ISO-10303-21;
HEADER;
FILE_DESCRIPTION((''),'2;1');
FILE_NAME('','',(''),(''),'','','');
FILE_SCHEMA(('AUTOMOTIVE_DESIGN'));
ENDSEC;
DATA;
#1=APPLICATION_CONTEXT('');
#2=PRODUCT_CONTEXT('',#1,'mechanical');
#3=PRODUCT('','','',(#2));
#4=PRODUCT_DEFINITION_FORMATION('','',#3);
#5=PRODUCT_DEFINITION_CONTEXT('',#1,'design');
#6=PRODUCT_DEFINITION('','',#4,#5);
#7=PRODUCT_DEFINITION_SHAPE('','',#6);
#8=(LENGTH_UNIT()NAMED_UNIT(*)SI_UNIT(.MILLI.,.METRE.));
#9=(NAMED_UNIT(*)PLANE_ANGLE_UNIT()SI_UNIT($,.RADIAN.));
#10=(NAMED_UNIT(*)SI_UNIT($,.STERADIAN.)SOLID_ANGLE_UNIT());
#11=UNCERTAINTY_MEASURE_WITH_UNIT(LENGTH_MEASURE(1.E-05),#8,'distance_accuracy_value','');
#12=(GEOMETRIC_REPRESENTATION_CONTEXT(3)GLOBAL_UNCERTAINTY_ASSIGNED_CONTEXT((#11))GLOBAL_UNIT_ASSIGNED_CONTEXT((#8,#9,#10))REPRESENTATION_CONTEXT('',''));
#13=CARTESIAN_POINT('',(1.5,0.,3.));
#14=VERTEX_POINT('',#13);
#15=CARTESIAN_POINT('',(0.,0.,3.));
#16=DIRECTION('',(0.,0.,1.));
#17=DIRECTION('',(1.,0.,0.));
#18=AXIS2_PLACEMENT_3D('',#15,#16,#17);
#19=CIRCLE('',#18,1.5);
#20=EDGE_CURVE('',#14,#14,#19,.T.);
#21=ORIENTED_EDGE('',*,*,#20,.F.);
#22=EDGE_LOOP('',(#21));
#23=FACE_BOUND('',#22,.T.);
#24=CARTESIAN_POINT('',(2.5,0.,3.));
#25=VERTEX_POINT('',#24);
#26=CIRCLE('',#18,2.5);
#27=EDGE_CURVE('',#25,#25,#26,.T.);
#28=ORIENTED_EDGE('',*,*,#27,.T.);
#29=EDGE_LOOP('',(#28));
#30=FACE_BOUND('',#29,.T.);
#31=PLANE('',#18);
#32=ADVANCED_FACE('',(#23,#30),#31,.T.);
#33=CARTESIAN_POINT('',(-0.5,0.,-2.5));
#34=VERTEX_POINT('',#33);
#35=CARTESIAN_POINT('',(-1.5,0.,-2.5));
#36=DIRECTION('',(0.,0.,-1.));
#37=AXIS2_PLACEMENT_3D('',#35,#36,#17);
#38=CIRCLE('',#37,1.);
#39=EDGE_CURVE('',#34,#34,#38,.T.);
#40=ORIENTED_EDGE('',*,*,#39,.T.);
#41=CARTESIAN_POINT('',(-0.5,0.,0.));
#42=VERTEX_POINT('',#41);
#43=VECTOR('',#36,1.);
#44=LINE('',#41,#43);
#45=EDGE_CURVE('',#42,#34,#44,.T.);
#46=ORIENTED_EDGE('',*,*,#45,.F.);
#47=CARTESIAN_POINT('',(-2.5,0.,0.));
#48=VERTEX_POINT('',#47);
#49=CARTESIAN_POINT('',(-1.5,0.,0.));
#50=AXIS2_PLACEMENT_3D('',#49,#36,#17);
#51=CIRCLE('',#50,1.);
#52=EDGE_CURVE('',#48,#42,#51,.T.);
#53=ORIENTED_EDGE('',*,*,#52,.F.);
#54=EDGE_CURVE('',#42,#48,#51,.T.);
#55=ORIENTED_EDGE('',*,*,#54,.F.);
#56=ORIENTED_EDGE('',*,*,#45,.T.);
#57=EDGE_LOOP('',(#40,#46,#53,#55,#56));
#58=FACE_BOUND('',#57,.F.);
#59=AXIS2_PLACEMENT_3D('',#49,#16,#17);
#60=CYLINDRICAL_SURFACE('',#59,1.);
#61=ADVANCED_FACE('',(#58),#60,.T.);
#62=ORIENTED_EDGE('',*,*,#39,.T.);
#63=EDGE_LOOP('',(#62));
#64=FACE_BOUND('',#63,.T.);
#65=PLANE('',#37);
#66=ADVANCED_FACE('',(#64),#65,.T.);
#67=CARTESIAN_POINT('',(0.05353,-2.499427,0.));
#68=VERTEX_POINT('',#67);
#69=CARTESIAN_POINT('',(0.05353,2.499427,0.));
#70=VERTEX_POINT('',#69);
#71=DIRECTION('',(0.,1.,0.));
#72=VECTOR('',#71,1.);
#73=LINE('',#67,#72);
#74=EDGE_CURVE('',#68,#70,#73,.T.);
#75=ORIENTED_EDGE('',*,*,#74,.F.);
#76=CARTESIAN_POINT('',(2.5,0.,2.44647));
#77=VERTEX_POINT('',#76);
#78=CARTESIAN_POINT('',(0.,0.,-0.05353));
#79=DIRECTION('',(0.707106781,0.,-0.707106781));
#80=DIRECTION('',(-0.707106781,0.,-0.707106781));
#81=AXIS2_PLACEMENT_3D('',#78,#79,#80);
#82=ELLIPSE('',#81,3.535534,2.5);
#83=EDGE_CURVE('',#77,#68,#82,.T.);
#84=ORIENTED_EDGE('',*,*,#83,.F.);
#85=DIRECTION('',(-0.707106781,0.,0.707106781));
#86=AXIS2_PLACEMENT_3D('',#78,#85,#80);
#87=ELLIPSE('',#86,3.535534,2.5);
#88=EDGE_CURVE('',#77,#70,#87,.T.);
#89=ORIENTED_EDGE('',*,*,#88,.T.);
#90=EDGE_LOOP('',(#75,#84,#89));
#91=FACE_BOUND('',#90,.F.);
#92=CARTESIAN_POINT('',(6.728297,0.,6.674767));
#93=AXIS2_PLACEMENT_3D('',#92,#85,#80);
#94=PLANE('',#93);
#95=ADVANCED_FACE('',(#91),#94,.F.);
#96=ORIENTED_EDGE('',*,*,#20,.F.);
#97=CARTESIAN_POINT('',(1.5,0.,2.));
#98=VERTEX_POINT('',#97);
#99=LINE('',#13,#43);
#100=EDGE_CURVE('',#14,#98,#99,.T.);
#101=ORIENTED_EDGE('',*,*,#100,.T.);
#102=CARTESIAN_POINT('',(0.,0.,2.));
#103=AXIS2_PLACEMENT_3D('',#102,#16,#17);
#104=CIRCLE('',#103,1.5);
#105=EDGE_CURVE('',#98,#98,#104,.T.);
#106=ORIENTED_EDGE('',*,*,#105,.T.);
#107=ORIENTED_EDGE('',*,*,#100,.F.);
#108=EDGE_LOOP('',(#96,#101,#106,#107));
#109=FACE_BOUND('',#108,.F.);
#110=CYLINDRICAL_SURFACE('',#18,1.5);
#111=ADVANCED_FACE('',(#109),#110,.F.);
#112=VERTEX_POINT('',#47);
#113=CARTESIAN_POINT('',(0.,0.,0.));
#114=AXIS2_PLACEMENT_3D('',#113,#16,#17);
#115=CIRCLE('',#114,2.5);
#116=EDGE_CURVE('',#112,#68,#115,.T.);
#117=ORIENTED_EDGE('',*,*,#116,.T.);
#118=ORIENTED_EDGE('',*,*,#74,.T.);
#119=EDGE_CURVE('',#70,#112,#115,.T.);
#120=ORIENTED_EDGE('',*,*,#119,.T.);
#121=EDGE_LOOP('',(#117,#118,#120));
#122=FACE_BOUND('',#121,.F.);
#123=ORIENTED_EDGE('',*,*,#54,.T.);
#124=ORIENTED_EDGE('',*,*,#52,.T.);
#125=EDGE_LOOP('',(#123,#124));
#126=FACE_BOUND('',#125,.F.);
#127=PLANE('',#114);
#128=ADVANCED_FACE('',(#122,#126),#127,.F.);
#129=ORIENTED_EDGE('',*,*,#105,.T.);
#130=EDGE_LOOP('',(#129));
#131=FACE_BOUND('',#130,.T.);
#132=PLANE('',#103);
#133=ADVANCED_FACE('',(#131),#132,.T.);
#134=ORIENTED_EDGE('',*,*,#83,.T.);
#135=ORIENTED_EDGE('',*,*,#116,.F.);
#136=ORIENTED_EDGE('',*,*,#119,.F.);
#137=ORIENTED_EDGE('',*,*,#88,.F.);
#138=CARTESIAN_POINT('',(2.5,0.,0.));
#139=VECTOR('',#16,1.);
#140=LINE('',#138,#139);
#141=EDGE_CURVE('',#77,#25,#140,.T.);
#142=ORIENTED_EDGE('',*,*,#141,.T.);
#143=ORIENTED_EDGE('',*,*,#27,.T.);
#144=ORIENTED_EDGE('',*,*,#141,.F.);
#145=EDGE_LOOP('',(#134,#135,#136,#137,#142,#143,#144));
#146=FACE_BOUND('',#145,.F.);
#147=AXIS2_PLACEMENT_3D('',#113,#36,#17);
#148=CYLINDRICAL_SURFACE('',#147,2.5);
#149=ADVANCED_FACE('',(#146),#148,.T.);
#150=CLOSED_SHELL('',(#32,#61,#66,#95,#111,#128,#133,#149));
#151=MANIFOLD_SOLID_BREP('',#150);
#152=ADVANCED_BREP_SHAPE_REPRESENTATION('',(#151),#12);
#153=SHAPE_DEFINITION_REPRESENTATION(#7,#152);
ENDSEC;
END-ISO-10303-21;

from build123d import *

# Parameters (mm, degrees)
F0_R          = 2.5
F1_DEPTH      = 3
F3_DEPTH      = 25
F3_DEPTH_BACK = 25
F4_R          = 1
F5_DEPTH      = 2.5
F6_R          = 1.5
F7_DEPTH      = 1


with BuildPart() as f1:
    # F0 (on Top) → F1 (new body)
    with BuildSketch(Plane.XY):
        Circle(F0_R)
    extrude(amount=F1_DEPTH)

    # F2 (on Front) → F3 (cut, two sides)
    with BuildSketch(Plane.XZ) as f3_sk:
        Polygon((6.7282968301, 6.6747666272), (-4.7879227272, -4.8414529301), (6.7282968301, -4.8414529301), align=None)
    extrude(amount=-F3_DEPTH, mode=Mode.SUBTRACT)
    extrude(f3_sk.sketch, amount=F3_DEPTH_BACK, mode=Mode.SUBTRACT)

    # F4 (on face) → F5 (join)
    with BuildSketch(Plane(origin=(0, 0, 0), x_dir=(1, 0, 0), z_dir=(0, 0, -1))):
        with Locations((-1.5, 0)):
            Circle(F4_R)
    extrude(amount=F5_DEPTH)

    # F6 (on face) → F7 (cut)
    with BuildSketch(Plane.XY.offset(3)):
        Circle(F6_R)
    extrude(amount=-F7_DEPTH, mode=Mode.SUBTRACT)


solid = f1.part
